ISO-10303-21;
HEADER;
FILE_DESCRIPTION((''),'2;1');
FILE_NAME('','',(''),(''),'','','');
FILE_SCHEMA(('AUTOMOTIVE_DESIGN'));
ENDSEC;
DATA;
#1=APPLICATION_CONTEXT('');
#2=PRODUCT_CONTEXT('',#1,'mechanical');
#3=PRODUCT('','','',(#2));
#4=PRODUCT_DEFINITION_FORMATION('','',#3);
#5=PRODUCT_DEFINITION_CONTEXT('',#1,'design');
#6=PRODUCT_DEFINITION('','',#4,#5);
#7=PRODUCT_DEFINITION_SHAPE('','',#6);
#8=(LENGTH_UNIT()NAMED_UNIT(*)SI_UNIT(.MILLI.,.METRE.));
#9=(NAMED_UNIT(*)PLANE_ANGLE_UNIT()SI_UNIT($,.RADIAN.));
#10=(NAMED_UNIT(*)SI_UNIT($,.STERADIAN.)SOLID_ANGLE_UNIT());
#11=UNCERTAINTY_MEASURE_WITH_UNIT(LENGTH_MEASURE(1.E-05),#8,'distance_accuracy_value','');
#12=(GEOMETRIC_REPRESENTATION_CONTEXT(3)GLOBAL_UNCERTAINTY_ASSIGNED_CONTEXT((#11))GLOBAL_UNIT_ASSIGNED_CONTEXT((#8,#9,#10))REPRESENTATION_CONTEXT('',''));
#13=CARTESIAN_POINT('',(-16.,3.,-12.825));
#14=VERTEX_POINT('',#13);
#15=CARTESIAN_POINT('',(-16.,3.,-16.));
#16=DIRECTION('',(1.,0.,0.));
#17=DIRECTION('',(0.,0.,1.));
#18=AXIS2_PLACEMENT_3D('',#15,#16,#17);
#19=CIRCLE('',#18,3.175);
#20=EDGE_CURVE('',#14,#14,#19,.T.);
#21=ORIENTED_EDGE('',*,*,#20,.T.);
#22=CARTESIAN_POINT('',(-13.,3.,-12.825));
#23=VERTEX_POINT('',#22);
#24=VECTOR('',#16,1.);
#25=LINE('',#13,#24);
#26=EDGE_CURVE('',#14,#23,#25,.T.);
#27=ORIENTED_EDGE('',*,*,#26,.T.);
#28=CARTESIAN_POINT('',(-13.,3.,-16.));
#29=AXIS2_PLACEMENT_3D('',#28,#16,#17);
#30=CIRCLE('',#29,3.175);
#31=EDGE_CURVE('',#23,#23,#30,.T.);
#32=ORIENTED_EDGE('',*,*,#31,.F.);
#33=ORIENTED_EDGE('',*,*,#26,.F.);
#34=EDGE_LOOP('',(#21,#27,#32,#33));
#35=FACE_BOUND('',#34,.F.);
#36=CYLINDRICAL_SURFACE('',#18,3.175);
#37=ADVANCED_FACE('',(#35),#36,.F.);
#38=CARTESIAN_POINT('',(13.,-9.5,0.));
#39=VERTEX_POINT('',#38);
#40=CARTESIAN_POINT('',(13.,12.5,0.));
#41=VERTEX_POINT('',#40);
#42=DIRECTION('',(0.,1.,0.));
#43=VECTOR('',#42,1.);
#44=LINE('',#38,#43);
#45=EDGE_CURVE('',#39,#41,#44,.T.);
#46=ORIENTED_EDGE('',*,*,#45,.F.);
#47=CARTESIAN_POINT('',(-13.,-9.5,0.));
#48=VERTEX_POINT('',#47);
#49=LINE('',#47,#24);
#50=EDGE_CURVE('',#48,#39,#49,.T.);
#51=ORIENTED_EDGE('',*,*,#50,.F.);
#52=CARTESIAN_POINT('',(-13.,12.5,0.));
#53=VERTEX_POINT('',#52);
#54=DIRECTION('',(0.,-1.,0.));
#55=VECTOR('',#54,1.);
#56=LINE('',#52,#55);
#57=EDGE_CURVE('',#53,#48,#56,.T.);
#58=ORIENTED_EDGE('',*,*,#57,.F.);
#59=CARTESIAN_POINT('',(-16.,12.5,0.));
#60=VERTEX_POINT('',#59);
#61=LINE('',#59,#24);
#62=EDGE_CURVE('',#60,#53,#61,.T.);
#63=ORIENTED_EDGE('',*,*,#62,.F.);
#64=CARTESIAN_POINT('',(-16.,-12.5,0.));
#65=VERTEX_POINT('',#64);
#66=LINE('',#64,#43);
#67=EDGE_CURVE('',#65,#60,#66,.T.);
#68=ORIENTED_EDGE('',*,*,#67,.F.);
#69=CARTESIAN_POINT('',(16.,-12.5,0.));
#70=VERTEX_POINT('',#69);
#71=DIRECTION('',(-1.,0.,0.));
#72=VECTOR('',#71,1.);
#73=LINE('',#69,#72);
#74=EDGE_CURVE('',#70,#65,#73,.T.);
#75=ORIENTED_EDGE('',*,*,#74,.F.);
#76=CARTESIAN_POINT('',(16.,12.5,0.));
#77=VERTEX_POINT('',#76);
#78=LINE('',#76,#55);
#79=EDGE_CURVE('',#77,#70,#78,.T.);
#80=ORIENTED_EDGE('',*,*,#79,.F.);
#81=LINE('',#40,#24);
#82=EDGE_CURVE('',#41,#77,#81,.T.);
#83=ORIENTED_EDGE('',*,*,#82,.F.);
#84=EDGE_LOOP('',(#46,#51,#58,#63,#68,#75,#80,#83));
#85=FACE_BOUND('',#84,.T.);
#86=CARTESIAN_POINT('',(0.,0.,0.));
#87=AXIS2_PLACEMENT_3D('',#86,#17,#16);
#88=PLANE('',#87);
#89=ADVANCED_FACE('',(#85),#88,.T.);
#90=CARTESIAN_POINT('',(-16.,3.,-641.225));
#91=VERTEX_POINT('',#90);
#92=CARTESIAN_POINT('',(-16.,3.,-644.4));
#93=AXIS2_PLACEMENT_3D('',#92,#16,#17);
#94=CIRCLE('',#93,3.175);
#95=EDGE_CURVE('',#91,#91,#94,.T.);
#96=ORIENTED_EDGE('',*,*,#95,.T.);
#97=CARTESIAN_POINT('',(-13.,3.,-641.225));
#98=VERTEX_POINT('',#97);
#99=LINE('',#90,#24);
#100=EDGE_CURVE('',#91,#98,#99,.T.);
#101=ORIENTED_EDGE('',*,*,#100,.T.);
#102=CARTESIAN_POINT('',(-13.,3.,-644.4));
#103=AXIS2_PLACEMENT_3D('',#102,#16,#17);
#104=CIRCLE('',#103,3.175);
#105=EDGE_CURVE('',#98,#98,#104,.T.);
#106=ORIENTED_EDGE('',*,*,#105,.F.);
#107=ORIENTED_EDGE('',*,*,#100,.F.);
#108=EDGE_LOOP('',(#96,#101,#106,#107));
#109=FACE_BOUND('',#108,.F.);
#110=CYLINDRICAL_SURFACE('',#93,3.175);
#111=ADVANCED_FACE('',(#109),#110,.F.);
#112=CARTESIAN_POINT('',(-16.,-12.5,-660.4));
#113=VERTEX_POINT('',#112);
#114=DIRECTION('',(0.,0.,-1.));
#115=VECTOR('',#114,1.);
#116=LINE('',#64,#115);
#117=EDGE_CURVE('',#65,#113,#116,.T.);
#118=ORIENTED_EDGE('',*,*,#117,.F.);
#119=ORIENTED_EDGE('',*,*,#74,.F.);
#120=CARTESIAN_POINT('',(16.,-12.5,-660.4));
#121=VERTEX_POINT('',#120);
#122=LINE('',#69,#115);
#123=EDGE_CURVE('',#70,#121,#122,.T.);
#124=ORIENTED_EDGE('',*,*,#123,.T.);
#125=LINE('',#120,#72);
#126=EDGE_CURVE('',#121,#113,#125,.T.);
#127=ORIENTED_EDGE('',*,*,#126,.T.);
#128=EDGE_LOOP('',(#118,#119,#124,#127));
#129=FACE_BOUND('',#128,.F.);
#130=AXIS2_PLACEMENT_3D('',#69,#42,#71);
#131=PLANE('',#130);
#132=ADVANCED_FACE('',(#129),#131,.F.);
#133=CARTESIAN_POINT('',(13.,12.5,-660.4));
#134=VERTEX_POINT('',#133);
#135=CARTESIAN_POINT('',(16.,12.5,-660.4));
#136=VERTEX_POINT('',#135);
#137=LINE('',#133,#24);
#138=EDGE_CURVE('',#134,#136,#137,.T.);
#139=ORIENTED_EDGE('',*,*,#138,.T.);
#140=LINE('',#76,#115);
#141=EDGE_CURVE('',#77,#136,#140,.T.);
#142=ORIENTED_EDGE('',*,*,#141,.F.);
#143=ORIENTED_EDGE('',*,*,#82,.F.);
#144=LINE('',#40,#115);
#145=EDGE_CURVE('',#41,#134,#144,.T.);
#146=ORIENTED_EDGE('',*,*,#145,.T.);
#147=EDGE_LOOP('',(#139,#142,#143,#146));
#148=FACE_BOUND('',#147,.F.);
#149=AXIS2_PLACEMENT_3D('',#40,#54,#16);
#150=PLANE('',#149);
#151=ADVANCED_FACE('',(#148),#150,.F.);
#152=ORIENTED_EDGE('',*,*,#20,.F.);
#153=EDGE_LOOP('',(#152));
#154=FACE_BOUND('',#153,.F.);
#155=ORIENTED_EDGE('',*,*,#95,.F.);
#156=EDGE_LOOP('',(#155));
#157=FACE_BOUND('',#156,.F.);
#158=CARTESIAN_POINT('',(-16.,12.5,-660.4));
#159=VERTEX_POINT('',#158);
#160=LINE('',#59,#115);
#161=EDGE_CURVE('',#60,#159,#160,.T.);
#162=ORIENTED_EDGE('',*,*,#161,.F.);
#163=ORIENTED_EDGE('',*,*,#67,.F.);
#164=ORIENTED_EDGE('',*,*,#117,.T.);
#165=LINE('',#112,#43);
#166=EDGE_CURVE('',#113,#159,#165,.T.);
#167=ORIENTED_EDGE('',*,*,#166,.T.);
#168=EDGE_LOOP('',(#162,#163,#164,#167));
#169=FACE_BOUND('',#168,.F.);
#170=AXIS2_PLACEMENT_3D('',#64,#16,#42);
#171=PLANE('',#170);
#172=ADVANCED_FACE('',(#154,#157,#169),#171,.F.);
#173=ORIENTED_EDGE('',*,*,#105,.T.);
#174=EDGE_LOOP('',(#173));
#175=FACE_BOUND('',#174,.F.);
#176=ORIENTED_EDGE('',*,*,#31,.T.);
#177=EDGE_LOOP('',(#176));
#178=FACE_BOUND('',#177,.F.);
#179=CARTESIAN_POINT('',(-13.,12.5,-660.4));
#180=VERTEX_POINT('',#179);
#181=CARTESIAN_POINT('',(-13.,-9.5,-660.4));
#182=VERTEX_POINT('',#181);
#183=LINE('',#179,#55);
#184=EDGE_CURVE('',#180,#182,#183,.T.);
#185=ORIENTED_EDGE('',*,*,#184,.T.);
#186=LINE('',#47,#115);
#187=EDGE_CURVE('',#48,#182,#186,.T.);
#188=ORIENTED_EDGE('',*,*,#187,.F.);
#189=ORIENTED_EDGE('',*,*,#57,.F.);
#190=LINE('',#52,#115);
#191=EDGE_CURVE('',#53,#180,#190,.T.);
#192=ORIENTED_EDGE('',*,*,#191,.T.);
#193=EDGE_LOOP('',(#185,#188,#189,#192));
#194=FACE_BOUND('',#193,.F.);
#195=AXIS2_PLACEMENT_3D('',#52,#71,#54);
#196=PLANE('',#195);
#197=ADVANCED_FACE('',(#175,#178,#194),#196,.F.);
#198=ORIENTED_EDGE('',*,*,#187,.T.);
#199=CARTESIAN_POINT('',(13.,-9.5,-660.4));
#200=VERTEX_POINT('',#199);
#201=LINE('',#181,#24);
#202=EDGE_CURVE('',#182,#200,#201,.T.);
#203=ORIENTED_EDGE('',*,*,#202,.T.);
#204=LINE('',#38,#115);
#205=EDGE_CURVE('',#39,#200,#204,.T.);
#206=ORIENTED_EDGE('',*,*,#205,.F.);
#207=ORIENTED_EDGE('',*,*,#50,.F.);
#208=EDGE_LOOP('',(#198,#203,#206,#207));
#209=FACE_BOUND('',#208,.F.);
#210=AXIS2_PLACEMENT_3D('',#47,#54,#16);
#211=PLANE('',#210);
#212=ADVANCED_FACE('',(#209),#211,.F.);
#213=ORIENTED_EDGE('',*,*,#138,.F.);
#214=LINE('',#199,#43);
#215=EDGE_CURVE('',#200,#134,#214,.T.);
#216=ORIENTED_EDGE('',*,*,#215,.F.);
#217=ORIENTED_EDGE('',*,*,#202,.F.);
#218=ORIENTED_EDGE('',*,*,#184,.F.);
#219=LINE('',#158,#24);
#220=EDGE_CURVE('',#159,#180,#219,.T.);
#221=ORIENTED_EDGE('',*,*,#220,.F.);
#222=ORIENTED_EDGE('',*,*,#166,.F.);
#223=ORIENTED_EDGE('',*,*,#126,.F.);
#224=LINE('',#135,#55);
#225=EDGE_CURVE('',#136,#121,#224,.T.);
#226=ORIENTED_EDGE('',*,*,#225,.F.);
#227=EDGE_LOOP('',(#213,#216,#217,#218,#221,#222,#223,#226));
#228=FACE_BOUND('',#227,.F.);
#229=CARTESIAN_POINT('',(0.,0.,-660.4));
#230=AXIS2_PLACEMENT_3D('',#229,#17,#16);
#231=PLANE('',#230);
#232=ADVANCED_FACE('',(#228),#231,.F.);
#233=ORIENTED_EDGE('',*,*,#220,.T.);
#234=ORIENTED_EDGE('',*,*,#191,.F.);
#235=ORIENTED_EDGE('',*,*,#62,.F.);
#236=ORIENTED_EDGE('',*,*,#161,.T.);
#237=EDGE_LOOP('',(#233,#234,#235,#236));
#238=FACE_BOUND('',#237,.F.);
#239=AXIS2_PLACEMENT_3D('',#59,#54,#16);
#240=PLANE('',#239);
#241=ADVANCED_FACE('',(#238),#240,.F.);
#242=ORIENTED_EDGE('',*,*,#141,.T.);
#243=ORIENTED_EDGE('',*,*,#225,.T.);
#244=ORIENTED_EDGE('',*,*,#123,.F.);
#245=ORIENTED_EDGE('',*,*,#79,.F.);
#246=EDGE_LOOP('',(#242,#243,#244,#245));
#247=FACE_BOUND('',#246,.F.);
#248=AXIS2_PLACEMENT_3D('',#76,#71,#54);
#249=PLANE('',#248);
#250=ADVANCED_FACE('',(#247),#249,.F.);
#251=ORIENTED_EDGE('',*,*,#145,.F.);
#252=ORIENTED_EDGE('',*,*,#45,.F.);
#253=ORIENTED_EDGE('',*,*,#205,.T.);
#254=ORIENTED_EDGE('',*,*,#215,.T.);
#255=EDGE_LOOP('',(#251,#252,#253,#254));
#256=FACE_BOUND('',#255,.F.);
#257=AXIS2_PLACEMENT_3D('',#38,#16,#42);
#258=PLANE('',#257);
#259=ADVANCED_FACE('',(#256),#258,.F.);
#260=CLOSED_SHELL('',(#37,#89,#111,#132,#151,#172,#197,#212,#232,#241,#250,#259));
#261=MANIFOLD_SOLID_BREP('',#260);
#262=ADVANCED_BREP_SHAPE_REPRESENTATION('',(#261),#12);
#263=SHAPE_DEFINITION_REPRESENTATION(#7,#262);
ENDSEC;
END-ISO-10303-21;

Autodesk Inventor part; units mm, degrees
ref_plane "YZ Plane" through (0, 0, 0) normal (1, 0, 0) x (0, 1, 0)
ref_plane "XZ Plane" through (0, 0, 0) normal (0, 1, 0) x (-1, 0, 0)
ref_plane "XY Plane" through (0, 0, 0) normal (0, 0, 1) x (1, 0, 0)
sketch "Sketch1" plane through (0, 0, 0) normal (0, 0, 1) x (1, 0, 0)
  line L0 (-16, 12.5) -> (-13, 12.5)
  line L1 (-13, 12.5) -> (-13, -9.5)
  line L2 (-13, -9.5) -> (13, -9.5)
  line L3 (13, -9.5) -> (13, 12.5)
  line L4 (13, 12.5) -> (16, 12.5)
  line L5 (16, 12.5) -> (16, -12.5)
  line L6 (16, -12.5) -> (-16, -12.5)
  line L7 (-16, -12.5) -> (-16, 12.5)
  point P0 (0, 0)
  dimension "d0" = 3
  dimension "d2" = 3
  dimension "d3" = 25
  dimension "d4" = 32
  dimension "d5" = 16
  dimension "d7" = 12.5
  dimension "d8" = 3
  dimension "d74" = 25
extrude "Extrusion1" add sketch "Sketch1" against normal blind 660.4
sketch "Sketch6" plane through (-16, -12.5, 0) normal (-1, 0, 0) x (0, 0, 1)
  circle A0 centre (-37.4708, 12.3) radius 3.175
  circle A1 centre (-177.8, 12.3) radius 3.175
  circle A2 centre (-340.3166, 12.3) radius 3.175
  circle A3 centre (-644.4, 15.5) radius 3.175
  line L0 (0, 25) -> (-660.4, 25) projected
  line L1 (0, 3) -> (-660.4, 3) projected
  line L2 (-660.4, 0) -> (-660.4, 25) projected
  circle A4 centre (-16, 15.5) radius 3.175
  line L3 (0, 0) -> (0, 25) projected
  point P0 (0, 12.5)
  dimension "d89" = 6.35
  dimension "d92" = 16
  dimension "d93" = 6.35
  dimension "d94" = 16
  dimension "d103" = 12.5
hole "Hole3" at (-16, 3, -644.4) at (-16, 3, -16) direction (1, 0, 0) diameter 6.35 depth 3 tip angle 118
equation "\"d2\" = d0"
equation "\"d5\" = 0.5 * d4"
equation "\"d7\" = 0.5 * d3"
equation "\"d8\" = d0"
equation "\"d74\" = d3"
properties part number "26in C-Channel Right" material "Aluminum 6061"
